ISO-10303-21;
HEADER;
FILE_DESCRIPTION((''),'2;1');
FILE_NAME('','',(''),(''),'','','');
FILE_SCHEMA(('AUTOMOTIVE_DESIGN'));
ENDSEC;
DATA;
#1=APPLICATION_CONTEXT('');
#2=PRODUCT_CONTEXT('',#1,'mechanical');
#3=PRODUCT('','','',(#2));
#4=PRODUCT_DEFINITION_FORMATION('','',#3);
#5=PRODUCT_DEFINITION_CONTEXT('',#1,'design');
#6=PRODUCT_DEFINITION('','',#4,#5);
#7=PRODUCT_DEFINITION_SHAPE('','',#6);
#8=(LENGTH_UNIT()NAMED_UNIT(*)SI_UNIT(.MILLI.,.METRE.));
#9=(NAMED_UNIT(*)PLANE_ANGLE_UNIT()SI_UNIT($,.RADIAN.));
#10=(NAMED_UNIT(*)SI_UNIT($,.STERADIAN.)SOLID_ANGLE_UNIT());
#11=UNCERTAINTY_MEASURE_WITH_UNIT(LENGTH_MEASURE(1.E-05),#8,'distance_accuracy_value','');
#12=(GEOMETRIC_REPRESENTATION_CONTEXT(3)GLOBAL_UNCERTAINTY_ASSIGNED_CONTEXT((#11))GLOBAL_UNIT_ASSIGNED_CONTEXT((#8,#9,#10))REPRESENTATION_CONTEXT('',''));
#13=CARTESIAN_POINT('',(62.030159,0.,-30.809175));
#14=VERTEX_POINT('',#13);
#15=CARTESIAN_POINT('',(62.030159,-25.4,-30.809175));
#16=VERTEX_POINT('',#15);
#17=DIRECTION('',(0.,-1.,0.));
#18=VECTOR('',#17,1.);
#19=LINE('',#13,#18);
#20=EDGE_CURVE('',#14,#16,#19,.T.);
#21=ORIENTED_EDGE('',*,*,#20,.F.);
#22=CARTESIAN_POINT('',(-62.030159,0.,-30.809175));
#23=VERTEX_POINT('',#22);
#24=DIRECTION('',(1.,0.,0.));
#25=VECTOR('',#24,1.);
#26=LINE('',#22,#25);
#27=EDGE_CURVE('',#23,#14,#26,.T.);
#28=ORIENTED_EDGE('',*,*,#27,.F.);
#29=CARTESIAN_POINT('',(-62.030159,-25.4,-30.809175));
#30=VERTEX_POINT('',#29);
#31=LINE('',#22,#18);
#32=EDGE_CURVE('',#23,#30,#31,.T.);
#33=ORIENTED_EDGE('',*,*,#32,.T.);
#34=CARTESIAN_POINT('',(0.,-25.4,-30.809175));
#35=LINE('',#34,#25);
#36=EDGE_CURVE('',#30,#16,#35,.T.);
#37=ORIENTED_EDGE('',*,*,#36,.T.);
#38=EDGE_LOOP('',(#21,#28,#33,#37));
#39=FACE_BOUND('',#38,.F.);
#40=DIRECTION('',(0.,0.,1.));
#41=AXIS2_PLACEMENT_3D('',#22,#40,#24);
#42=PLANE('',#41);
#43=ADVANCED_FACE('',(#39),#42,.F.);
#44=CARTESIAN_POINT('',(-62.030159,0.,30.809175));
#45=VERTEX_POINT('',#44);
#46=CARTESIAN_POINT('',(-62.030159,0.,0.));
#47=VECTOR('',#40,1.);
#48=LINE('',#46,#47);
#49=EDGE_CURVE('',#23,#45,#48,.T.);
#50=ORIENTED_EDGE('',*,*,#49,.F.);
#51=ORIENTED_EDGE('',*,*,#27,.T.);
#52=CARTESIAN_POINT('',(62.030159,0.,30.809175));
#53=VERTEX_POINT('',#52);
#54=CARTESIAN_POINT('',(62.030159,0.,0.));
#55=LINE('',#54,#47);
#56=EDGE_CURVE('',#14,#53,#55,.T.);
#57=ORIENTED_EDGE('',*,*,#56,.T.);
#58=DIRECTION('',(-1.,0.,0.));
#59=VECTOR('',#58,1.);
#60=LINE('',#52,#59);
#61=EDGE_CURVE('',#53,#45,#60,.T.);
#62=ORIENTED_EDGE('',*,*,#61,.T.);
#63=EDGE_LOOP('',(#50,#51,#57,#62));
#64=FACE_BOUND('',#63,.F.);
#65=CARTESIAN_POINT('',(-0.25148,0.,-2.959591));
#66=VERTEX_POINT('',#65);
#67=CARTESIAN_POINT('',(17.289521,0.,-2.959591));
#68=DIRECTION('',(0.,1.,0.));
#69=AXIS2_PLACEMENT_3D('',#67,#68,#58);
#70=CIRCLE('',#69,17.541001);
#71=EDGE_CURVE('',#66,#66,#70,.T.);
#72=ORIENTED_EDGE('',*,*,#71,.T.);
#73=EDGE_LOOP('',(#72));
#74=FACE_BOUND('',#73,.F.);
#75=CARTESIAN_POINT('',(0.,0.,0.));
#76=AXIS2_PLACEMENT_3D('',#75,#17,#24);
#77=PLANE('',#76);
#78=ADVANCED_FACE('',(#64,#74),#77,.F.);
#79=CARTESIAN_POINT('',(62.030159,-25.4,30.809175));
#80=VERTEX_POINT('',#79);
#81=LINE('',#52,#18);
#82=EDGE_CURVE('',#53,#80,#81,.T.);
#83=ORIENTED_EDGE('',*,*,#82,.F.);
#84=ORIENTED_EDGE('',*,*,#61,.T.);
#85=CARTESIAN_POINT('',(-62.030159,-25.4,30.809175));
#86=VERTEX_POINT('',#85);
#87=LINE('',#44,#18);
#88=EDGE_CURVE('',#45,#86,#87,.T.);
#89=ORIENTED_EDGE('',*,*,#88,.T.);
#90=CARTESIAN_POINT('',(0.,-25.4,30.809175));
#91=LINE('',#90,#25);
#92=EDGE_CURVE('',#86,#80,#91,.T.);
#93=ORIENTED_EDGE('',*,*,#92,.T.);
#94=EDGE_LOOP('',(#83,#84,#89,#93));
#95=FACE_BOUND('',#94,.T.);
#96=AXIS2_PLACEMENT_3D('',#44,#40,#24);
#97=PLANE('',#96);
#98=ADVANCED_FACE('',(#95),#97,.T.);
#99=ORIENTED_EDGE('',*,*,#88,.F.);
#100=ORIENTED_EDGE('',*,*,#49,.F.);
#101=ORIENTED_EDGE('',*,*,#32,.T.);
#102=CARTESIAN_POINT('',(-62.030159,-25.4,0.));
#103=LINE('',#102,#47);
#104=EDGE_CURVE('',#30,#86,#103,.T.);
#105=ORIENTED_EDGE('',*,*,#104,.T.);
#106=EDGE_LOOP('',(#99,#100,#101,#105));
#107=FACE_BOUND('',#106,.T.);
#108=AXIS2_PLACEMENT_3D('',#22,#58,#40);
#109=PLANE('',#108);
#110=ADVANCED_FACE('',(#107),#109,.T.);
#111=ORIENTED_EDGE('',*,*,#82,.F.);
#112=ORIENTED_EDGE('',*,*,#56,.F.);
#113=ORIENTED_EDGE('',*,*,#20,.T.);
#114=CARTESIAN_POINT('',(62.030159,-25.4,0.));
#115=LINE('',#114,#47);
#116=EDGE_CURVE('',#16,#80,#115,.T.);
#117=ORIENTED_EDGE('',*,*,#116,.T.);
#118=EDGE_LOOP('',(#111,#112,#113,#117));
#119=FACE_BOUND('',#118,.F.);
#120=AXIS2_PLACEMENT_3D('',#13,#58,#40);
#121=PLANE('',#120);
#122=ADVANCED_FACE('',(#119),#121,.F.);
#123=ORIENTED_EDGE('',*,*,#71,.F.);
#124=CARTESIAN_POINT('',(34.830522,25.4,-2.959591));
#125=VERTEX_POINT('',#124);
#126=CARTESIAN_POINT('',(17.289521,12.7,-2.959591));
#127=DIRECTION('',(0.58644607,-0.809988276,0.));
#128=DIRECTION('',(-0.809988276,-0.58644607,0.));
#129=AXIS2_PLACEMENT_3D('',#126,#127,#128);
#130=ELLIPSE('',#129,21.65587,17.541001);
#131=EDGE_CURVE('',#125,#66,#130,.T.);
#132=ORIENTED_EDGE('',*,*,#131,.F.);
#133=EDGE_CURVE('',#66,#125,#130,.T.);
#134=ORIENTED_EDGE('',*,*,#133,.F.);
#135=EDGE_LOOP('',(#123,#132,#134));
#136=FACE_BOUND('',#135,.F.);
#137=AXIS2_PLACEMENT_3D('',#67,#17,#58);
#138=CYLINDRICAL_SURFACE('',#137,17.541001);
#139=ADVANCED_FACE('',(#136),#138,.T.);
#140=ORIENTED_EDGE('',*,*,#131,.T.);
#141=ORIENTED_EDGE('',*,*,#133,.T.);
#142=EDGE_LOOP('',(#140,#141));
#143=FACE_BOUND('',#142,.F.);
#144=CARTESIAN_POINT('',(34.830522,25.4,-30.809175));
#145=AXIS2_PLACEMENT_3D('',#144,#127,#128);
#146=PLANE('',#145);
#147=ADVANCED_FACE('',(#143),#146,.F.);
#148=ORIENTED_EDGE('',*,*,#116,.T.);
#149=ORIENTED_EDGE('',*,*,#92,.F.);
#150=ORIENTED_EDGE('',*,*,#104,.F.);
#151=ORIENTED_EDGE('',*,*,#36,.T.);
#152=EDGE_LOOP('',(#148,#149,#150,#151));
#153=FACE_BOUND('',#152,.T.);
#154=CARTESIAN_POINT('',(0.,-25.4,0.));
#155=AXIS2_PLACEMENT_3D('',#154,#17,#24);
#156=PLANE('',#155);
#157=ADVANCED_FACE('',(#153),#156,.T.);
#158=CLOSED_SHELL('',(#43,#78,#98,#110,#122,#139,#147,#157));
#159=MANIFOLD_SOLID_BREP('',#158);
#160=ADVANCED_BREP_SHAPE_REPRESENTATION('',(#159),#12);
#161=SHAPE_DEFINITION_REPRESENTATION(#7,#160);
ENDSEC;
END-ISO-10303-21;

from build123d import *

# Parameters (mm, degrees)
F0_W     = 124.060318
F0_H     = 61.61835
F1_DEPTH = 25.4
F2_R     = 17.541001
F3_DEPTH = 25.4
F5_DEPTH = 61.61935


with BuildPart() as f1:
    # F0 (on Front) → F1 (new body)
    with BuildSketch(Plane.XZ):
        Rectangle(F0_W, F0_H)
    extrude(amount=F1_DEPTH)

    # F2 (on face) → F3 (join)
    with BuildSketch(Plane(origin=(0, 0, 0), x_dir=(-1, 0, 0), z_dir=(0, 1, 0))):
        with Locations((-17.289521, -2.959591)):
            Circle(F2_R)
    extrude(amount=F3_DEPTH)

    # F4 (on face) → F5 (cut, through all)
    with BuildSketch(Plane(origin=(0, 0, -30.809175), x_dir=(1, 0, 0), z_dir=(0, 0, -1))):
        Polygon((-0.25148, -25.4), (34.830522, -25.4), (-0.25148, 0), align=None)
    extrude(amount=-F5_DEPTH, mode=Mode.SUBTRACT)


solid = f1.part
